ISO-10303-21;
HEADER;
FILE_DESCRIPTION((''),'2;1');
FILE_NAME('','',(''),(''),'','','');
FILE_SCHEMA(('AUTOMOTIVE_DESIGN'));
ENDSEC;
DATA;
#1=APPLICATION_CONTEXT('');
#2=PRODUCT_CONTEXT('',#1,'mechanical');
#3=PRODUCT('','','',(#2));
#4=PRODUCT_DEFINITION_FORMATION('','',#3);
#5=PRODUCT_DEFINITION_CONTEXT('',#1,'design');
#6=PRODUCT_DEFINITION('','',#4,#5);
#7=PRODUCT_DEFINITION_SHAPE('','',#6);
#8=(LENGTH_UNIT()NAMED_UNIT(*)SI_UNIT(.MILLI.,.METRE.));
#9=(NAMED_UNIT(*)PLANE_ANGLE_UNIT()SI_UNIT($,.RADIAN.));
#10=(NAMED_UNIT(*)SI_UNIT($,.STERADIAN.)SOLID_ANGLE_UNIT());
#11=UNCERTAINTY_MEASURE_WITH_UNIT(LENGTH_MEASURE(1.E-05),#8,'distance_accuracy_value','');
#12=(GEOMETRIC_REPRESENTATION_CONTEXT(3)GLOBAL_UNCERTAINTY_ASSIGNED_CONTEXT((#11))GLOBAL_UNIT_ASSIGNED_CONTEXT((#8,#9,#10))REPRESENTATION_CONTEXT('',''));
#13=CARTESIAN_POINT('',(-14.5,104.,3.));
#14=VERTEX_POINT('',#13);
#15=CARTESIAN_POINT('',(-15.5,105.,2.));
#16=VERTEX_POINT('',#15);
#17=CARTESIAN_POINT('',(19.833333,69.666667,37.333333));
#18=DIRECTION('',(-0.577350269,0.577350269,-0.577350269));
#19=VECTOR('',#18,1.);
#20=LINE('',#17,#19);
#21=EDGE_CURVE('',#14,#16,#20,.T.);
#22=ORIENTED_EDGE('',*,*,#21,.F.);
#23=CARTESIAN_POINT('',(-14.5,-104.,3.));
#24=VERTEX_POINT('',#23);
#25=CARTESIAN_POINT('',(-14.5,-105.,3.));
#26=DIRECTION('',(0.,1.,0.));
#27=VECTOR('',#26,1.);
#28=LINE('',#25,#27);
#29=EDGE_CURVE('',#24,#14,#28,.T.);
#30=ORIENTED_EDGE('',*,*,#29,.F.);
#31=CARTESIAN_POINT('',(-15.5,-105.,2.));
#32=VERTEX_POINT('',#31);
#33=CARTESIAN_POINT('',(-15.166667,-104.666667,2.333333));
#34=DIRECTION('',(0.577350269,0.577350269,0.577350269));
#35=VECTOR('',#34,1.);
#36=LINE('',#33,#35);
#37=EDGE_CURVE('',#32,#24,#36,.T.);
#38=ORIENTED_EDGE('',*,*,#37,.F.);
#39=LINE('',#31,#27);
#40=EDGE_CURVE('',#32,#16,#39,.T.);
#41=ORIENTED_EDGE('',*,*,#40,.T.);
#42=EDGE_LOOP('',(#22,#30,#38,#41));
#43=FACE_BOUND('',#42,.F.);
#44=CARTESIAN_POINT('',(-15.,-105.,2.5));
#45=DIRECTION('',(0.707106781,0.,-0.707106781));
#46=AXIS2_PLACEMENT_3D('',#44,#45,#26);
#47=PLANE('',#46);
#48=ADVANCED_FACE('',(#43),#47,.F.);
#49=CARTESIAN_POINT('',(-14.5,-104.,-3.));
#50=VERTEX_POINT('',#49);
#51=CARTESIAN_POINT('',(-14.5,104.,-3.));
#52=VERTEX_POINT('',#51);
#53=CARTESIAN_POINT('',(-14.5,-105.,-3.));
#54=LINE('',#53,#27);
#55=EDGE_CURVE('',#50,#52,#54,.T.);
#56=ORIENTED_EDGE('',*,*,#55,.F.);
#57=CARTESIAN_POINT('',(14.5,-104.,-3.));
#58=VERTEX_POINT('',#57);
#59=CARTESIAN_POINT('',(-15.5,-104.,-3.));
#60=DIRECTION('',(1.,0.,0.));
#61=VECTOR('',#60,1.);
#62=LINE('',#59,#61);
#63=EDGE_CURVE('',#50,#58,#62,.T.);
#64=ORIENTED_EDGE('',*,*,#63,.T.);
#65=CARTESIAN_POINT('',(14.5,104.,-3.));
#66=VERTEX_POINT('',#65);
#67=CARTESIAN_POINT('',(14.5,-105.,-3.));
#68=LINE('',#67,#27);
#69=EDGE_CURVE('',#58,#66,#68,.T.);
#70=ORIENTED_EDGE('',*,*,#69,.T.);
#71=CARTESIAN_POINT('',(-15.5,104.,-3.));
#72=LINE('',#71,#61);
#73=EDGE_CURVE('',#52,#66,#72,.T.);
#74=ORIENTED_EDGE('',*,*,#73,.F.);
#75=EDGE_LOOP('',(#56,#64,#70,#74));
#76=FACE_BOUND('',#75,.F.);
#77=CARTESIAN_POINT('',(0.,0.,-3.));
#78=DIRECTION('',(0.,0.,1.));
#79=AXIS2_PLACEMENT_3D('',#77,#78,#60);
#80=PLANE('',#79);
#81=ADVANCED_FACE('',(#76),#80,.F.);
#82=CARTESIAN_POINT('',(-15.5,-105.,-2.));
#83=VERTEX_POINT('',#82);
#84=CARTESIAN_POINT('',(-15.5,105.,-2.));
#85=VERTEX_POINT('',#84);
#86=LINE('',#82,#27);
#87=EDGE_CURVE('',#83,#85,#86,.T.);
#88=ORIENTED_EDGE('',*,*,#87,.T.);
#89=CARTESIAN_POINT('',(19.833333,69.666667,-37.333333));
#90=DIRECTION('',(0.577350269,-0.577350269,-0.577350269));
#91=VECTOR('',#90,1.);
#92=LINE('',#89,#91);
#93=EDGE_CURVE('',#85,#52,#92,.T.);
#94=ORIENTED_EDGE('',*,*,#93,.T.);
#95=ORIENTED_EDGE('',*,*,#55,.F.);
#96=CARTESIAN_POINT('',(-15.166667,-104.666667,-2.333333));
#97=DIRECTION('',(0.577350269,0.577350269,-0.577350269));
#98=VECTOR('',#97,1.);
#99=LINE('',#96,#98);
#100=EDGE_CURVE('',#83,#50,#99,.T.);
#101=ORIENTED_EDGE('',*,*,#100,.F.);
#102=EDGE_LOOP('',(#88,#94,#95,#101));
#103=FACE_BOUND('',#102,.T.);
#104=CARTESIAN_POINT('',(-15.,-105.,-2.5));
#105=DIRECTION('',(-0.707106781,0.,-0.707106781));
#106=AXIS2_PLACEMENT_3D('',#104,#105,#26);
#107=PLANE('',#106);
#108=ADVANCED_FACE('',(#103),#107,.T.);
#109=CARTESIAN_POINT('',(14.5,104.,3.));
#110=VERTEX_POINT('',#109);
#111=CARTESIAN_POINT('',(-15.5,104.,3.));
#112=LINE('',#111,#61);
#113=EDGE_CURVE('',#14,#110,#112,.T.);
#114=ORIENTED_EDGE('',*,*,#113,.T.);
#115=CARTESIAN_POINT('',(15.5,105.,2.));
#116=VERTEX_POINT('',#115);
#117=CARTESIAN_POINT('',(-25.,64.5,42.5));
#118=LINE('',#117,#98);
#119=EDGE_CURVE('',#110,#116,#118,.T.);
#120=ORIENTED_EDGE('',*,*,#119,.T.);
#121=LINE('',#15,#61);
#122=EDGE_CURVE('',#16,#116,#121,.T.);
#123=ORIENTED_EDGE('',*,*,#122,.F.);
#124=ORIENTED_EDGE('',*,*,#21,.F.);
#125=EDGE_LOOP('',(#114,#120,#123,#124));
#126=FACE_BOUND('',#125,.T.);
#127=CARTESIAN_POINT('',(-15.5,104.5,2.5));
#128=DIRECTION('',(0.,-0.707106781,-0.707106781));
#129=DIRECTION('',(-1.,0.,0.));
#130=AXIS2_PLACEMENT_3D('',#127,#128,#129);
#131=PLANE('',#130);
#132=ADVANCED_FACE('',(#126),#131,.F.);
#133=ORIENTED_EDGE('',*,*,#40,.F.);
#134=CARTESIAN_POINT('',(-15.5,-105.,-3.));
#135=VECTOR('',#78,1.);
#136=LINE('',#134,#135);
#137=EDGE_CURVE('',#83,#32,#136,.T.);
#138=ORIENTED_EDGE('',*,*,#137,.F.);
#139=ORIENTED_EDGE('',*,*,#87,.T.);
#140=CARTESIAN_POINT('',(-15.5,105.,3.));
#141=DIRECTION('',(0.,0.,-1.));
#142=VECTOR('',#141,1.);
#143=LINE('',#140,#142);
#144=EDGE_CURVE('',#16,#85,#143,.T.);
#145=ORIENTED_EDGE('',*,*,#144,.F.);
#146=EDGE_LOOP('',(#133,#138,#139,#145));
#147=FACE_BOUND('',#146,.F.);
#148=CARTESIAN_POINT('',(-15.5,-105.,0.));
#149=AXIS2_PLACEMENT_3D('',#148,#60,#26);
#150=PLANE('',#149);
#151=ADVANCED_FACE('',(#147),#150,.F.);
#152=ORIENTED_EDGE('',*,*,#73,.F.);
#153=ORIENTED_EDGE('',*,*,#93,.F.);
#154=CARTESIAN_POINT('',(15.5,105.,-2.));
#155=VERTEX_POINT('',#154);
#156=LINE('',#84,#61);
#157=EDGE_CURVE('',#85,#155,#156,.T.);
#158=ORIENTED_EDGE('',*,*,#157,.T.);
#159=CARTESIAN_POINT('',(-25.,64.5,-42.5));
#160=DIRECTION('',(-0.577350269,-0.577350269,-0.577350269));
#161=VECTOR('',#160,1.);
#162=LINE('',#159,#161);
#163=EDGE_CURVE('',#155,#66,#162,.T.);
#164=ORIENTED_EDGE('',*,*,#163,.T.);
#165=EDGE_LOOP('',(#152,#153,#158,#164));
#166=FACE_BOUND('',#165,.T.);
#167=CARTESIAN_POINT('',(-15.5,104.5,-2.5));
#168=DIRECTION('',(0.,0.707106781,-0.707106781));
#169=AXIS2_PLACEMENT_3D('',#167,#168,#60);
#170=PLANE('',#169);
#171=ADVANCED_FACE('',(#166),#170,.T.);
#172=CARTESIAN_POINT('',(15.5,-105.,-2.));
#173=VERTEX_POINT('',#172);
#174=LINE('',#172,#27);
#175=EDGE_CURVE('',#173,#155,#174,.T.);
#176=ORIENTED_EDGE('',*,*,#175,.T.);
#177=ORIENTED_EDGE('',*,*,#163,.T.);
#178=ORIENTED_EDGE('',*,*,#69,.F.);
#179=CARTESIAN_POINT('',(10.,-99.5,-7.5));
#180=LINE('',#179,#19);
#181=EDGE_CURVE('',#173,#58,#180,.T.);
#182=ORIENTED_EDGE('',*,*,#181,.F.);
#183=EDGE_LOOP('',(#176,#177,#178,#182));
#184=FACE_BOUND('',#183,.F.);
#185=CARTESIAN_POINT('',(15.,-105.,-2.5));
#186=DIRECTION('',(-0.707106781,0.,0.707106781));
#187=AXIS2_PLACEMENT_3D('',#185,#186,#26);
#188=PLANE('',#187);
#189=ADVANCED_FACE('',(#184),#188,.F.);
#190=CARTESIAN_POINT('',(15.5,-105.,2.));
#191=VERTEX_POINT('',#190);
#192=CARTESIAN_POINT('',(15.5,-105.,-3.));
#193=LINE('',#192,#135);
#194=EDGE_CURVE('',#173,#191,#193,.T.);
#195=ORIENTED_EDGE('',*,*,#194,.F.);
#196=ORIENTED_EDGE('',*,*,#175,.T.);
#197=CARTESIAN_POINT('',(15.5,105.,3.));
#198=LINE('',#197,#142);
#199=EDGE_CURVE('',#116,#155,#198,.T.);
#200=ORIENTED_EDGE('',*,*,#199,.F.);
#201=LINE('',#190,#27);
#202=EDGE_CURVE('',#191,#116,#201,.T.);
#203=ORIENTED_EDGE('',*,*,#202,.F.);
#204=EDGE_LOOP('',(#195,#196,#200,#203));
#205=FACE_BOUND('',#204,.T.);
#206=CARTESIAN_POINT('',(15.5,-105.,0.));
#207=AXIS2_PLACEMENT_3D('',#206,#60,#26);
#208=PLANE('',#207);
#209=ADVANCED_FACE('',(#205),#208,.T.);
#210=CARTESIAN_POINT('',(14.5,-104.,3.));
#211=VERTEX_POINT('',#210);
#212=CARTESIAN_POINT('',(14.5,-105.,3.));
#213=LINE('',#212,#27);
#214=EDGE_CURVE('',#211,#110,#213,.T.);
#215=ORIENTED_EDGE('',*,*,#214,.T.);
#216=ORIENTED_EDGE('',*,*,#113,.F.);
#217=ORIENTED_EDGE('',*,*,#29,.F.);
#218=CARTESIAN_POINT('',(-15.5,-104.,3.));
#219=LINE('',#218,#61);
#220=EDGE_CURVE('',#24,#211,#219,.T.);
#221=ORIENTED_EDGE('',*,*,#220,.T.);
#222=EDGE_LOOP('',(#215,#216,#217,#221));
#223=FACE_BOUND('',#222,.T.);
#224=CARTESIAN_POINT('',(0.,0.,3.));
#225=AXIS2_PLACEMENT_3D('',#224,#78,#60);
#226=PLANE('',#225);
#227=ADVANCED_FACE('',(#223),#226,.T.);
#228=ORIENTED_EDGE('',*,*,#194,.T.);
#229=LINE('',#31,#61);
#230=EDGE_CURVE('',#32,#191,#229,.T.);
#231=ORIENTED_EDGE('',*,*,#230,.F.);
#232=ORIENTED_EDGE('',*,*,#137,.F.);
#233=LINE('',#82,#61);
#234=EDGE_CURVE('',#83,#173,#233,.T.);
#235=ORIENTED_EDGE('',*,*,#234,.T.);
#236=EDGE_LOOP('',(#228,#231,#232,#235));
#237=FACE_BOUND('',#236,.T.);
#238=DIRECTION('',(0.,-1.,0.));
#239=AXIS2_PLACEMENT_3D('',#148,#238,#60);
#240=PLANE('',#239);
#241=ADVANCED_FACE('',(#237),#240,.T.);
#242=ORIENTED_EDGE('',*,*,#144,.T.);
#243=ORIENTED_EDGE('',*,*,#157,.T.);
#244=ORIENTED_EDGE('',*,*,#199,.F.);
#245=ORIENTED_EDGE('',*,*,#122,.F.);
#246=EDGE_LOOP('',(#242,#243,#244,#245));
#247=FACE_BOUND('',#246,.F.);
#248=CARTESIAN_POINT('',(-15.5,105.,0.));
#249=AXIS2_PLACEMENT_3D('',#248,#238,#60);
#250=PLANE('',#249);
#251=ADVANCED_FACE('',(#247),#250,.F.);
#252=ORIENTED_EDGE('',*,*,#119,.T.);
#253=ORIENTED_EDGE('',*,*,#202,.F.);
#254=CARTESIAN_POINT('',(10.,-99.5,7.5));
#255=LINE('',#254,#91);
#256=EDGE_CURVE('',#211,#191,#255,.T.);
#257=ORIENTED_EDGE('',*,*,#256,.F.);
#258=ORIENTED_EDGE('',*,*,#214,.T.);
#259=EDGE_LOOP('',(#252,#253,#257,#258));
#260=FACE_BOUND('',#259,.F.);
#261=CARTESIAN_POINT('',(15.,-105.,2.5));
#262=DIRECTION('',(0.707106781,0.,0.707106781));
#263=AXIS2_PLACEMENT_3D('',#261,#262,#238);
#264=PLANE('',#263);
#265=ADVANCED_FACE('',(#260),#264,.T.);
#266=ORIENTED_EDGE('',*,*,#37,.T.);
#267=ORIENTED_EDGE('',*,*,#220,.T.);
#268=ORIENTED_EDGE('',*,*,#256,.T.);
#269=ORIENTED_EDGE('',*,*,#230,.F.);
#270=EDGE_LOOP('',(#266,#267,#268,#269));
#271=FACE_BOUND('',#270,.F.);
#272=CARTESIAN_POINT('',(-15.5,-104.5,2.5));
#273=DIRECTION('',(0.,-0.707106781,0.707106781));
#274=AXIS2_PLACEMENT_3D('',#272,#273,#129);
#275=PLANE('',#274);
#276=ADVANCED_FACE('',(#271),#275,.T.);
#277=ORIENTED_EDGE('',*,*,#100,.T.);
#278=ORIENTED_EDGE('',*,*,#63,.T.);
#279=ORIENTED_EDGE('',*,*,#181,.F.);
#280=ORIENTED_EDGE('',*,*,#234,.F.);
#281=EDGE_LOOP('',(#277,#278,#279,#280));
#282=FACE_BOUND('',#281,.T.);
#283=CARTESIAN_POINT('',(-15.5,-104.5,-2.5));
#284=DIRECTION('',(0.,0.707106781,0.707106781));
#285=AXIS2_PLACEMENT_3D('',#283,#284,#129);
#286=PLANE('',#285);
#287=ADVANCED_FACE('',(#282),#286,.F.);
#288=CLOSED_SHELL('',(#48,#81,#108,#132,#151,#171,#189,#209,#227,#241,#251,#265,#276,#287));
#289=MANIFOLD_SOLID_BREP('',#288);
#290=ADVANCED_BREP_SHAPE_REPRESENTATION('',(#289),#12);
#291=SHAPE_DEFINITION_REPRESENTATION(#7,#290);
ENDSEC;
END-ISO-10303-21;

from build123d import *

# Parameters (mm, degrees)
F0_W     = 31
F0_H     = 210
F1_DEPTH = 3
F2_SIZE  = 1


with BuildPart() as f1:
    # F0 (on Top) → F1 (new body, symmetric)
    with BuildSketch(Plane.XY):
        Rectangle(F0_W, F0_H)
    extrude(amount=F1_DEPTH, both=True)

    # F2
    f2_edges = [f1.edges().sort_by_distance(p)[0] for p in [
        (15.5, 0, 3),
        (0, 105, 3),
        (-15.5, 0, 3),
        (0, -105, 3),
        (15.5, 0, -3),
        (-15.5, 0, -3),
        (0, -105, -3),
        (0, 105, -3),
    ]]
    chamfer(f2_edges, length=F2_SIZE)


solid = f1.part
